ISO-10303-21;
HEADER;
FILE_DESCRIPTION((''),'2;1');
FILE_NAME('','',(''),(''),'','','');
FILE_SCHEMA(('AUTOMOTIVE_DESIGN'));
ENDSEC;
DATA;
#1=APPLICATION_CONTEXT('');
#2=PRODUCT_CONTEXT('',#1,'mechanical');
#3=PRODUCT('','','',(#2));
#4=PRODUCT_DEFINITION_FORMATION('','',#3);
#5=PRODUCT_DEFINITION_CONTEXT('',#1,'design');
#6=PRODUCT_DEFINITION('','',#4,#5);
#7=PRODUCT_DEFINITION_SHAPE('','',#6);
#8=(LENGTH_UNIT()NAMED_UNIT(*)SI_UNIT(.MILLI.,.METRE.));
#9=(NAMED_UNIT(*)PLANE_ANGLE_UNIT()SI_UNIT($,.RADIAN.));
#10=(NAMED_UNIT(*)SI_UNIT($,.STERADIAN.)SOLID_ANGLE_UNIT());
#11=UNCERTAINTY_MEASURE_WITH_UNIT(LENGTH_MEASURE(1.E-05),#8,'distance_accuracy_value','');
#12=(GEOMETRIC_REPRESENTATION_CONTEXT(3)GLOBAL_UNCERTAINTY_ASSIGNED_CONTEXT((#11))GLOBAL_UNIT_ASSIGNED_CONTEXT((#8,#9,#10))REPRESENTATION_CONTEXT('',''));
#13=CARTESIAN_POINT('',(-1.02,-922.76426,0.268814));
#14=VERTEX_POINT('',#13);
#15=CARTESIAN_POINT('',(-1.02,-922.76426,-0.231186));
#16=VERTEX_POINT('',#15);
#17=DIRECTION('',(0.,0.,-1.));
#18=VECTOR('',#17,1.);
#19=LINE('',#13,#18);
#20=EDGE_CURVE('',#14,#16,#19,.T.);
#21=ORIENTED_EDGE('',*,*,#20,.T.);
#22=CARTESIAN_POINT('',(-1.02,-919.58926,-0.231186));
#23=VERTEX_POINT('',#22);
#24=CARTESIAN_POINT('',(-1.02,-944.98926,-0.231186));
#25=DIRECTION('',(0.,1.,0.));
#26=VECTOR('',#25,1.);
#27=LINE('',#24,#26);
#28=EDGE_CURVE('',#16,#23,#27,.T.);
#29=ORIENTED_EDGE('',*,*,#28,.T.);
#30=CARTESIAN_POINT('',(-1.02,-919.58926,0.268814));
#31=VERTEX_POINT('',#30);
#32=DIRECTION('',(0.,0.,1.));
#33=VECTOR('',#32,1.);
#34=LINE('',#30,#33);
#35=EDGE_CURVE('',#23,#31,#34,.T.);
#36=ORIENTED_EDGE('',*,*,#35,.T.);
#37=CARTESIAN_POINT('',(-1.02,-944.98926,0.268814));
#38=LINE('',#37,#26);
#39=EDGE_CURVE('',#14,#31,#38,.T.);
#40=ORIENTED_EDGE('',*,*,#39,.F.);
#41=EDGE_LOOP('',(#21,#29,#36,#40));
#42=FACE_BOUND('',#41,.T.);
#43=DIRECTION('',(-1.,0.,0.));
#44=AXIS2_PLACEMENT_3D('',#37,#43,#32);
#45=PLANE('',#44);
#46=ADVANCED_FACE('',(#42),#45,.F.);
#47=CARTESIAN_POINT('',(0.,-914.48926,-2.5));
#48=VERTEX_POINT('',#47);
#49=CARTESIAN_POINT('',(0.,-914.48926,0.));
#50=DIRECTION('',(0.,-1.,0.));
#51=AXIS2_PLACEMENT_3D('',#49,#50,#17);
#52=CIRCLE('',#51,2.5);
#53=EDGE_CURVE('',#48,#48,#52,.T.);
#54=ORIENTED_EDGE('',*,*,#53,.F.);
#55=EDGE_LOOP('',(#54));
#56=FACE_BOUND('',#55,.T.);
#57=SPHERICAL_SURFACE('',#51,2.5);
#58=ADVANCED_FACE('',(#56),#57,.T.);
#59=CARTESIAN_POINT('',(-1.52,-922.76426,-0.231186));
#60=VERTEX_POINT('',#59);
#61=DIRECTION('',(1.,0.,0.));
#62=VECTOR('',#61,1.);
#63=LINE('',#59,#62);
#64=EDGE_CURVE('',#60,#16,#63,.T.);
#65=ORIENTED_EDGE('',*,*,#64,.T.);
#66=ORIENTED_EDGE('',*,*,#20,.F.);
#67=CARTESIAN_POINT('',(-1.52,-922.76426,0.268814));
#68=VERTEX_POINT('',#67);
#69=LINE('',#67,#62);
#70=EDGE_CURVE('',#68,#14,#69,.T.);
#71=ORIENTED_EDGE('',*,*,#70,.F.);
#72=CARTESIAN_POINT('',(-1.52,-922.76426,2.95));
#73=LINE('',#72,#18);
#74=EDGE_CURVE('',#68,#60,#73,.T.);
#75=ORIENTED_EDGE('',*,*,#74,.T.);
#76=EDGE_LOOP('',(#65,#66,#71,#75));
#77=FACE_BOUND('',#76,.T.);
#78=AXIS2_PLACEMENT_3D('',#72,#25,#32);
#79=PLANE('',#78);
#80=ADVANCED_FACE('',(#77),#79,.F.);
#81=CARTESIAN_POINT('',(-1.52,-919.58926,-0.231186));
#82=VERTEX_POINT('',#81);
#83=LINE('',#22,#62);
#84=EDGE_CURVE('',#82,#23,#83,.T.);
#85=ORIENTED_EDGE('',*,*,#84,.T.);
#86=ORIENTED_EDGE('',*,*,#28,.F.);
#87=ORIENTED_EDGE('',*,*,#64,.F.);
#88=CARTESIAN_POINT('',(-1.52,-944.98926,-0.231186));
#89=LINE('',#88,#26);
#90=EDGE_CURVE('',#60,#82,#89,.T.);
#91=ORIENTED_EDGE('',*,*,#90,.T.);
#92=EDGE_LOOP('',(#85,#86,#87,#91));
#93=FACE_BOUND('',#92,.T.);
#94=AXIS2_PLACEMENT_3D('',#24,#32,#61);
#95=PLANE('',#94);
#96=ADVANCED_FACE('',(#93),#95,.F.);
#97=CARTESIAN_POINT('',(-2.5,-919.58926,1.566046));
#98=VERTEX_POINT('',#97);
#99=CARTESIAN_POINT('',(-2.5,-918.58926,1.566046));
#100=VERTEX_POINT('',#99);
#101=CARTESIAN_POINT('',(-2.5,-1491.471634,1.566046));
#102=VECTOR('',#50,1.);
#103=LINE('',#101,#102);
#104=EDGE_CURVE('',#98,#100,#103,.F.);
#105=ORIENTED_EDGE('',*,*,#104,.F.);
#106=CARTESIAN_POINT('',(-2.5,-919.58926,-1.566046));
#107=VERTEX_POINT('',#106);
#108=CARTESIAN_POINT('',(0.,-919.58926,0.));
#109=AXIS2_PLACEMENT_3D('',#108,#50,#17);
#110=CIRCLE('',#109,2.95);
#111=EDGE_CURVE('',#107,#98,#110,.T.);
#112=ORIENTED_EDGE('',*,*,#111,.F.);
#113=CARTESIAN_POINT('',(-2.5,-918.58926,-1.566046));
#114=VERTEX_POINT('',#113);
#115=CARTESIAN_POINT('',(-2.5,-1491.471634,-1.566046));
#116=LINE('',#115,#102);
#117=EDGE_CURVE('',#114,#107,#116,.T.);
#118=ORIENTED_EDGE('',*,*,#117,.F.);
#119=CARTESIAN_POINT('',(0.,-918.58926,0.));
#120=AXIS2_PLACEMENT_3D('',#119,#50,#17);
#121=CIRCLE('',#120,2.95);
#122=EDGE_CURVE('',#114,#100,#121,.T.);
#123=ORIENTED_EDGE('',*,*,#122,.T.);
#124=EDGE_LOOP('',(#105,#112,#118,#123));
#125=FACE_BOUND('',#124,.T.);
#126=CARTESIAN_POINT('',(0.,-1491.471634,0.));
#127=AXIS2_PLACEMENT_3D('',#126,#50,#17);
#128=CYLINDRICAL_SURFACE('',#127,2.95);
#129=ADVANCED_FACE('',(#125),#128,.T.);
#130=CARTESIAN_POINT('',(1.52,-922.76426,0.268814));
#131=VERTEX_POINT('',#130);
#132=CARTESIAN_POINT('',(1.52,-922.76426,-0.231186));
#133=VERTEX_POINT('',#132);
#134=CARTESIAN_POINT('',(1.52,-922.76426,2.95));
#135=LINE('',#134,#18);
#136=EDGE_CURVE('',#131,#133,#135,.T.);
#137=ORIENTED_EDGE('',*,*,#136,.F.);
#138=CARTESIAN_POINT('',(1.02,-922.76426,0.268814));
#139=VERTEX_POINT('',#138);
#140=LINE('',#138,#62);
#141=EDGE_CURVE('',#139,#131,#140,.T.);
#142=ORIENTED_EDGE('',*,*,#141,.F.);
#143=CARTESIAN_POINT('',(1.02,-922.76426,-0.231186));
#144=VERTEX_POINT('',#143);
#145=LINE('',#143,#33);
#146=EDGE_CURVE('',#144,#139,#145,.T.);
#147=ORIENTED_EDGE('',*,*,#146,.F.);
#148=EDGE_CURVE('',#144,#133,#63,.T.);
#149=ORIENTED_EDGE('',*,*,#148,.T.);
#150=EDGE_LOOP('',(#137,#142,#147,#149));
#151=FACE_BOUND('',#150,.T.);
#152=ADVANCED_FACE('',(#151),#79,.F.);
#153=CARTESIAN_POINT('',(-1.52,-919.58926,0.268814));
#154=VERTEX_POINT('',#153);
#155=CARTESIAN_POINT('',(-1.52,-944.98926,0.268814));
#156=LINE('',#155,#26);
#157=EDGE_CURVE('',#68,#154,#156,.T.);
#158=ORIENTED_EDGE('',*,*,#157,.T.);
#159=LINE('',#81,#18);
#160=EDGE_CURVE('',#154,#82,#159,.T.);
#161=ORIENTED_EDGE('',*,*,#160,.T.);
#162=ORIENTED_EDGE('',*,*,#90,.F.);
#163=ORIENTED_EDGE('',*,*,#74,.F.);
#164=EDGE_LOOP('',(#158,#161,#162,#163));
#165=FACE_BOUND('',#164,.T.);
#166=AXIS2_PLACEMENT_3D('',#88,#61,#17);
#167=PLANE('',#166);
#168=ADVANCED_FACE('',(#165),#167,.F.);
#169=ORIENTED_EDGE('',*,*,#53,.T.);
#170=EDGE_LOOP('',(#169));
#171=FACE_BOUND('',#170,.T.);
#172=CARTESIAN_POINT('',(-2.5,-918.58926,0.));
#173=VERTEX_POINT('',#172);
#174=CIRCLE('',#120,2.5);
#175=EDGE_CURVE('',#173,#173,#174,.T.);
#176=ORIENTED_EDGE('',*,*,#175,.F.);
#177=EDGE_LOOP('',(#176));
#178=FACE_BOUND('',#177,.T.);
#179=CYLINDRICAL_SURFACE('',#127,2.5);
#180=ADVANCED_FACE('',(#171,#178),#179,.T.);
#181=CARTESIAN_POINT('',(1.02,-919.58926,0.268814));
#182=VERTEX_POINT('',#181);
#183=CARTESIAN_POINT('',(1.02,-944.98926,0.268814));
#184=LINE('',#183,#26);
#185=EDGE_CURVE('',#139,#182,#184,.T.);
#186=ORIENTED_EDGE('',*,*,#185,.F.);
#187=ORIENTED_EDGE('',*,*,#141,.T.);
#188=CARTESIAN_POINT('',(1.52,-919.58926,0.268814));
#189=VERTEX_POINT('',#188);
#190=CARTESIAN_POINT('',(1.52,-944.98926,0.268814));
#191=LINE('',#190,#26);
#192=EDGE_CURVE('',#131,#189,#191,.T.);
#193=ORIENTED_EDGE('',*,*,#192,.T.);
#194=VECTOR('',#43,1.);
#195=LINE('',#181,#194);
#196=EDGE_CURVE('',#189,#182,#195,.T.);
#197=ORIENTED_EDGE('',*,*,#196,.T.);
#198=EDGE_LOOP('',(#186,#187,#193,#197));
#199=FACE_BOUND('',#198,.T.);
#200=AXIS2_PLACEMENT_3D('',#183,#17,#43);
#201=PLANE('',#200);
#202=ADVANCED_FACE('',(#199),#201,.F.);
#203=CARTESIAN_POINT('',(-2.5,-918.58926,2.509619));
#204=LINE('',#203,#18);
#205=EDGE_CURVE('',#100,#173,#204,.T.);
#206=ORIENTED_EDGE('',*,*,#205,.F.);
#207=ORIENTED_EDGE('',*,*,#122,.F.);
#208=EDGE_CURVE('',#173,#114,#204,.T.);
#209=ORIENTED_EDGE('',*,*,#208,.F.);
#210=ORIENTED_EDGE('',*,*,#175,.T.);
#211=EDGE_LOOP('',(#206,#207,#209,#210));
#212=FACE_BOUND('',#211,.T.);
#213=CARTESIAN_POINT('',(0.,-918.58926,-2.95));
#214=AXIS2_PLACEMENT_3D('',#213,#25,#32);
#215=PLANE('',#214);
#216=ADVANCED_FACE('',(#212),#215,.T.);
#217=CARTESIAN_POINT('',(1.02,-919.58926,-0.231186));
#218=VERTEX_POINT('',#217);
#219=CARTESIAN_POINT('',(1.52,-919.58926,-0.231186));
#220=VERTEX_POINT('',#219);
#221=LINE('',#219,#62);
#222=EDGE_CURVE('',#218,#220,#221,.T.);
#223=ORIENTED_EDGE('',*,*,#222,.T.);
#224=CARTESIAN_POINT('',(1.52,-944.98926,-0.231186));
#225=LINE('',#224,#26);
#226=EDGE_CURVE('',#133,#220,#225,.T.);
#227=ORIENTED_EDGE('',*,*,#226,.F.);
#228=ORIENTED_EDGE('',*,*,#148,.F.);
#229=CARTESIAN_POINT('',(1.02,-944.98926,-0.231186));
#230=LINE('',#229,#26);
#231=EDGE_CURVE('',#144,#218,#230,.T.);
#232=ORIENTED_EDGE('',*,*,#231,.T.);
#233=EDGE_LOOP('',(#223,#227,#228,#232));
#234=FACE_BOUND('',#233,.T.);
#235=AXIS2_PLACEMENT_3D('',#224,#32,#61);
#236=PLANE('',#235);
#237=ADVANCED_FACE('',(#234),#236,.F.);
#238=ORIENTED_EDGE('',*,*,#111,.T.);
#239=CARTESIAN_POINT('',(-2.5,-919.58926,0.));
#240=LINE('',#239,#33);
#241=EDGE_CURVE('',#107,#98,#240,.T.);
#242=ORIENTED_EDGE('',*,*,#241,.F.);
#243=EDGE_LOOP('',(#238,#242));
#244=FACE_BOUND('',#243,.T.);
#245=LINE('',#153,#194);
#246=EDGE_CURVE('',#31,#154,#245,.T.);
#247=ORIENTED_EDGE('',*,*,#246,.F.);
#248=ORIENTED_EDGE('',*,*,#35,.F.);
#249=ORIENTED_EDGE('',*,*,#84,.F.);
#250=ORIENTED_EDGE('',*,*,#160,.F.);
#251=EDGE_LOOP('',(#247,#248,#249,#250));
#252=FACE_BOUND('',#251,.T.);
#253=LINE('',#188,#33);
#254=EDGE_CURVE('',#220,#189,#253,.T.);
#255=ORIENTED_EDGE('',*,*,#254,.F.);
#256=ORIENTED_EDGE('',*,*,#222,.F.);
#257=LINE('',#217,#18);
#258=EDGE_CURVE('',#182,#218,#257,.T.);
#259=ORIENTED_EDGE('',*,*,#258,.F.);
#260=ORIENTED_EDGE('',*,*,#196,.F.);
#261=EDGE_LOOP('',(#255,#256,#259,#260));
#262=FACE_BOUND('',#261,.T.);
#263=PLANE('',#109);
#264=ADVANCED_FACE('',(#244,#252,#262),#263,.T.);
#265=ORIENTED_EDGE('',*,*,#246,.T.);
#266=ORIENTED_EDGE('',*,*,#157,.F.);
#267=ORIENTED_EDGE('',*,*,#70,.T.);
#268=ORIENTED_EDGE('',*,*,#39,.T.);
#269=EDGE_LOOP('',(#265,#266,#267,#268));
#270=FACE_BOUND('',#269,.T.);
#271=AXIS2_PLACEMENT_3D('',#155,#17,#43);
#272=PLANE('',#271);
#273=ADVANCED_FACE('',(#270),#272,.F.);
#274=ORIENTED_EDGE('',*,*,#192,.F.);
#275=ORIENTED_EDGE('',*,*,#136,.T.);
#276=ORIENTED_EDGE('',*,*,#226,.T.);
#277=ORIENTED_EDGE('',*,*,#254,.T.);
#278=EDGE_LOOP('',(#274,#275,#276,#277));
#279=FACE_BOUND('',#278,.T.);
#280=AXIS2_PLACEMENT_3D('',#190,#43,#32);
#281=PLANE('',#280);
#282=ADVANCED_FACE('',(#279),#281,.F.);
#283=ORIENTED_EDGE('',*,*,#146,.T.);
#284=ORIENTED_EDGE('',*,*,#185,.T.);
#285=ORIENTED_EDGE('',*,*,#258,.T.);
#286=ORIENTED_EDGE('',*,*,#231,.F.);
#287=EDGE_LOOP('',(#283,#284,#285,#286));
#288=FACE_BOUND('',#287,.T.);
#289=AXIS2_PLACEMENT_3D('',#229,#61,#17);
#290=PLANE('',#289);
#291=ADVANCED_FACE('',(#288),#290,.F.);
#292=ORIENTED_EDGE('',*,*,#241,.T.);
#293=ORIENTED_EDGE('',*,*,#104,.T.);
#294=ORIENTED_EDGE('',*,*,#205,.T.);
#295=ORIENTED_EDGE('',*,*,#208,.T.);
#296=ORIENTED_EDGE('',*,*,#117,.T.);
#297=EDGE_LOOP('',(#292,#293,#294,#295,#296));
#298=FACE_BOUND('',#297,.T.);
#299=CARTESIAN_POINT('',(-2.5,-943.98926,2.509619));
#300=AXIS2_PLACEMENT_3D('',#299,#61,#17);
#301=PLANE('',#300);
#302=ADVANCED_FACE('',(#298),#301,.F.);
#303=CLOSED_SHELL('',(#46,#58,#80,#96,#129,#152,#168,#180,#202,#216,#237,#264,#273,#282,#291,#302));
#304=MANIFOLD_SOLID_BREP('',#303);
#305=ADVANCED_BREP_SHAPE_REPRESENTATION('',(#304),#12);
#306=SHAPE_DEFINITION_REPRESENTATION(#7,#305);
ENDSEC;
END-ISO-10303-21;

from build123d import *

# Parameters (mm, degrees)
CROQUIS3_W              = 0.5
CROQUIS3_H              = 0.5
SALIENTE_EXTRUIR3_DEPTH = 25.4
CROQUIS4_W              = 0.912534335
CROQUIS4_H              = 5.586103973
CORTAR_EXTRUIR1_DEPTH   = 25.4
CORTAR_EXTRUIR2_REACH   = 5.219
CROQUIS5_W              = 0.5
CROQUIS5_H              = 1
SKETCH1_W               = 3.04
SKETCH1_H               = 22.225
CUT_EXTRUDE1_DEPTH      = 4.181185999


with BuildPart() as part:
    # Croquis2 → Revolución1 (revolve)
    with BuildSketch(Plane(origin=(0, 0, 0), x_dir=(0, 0, -1), z_dir=(1, 0, 0))):
        with BuildLine():
            Line((0, -919.589259582), (2.95, -919.589259582))
            Line((2.95, -919.589259582), (2.95, -918.589259582))
            Line((2.95, -918.589259582), (2.5, -918.589259582))
            Line((2.5, -918.589259582), (2.5, -914.489259582))
            ThreePointArc((2.5, -914.489259582), (1.767766953, -912.721492629), (0, -911.989259582))
            Line((0, -911.989259582), (0, -919.589259582))
        make_face()
    revolve(axis=Axis((0, -1491.471633976, 0), (0, 1, 0)))

    # Croquis3 → Saliente-Extruir3 (add)
    with BuildSketch(Plane.XZ.offset(919.589259582)):
        with Locations((1.27, 0.018814001)):
            Rectangle(CROQUIS3_W, CROQUIS3_H)
        with Locations((-1.27, 0.018814001)):
            Rectangle(CROQUIS3_W, CROQUIS3_H)
    extrude(amount=SALIENTE_EXTRUIR3_DEPTH)

    # Croquis4 → Cortar-Extruir1 (cut)
    with BuildSketch(Plane(origin=(0, -918.589259582, 0), x_dir=(1, 0, 0), z_dir=(0, 1, 0))):
        with Locations((-2.956267168, 0.283432647)):
            Rectangle(CROQUIS4_W, CROQUIS4_H)
    extrude(amount=-CORTAR_EXTRUIR1_DEPTH, mode=Mode.SUBTRACT)

    # Croquis5 → Cortar-Extruir2 (cut, up to next)
    with BuildSketch(Plane.XY.offset(0.268814001), mode=Mode.PRIVATE) as cortar_extruir2_sk1:
        with Locations((-1.27, -944.489259582)):
            Rectangle(CROQUIS5_W, CROQUIS5_H)
    cortar_extruir2_tool1 = extrude(cortar_extruir2_sk1.sketch, amount=-CORTAR_EXTRUIR2_REACH, mode=Mode.PRIVATE) & part.part
    add(cortar_extruir2_tool1.solids().sort_by_distance((-1.27, -944.48926, 0.268814))[0], mode=Mode.SUBTRACT)

    # Sketch1 → Cut-Extrude1 (cut, through all)
    with BuildSketch(Plane(origin=(0, 0, -0.231185999), x_dir=(-1, 0, 0), z_dir=(0, 0, -1))):
        with Locations((0, -933.876759582)):
            Rectangle(SKETCH1_W, SKETCH1_H)
    extrude(amount=-CUT_EXTRUDE1_DEPTH, mode=Mode.SUBTRACT)


solid = part.part
